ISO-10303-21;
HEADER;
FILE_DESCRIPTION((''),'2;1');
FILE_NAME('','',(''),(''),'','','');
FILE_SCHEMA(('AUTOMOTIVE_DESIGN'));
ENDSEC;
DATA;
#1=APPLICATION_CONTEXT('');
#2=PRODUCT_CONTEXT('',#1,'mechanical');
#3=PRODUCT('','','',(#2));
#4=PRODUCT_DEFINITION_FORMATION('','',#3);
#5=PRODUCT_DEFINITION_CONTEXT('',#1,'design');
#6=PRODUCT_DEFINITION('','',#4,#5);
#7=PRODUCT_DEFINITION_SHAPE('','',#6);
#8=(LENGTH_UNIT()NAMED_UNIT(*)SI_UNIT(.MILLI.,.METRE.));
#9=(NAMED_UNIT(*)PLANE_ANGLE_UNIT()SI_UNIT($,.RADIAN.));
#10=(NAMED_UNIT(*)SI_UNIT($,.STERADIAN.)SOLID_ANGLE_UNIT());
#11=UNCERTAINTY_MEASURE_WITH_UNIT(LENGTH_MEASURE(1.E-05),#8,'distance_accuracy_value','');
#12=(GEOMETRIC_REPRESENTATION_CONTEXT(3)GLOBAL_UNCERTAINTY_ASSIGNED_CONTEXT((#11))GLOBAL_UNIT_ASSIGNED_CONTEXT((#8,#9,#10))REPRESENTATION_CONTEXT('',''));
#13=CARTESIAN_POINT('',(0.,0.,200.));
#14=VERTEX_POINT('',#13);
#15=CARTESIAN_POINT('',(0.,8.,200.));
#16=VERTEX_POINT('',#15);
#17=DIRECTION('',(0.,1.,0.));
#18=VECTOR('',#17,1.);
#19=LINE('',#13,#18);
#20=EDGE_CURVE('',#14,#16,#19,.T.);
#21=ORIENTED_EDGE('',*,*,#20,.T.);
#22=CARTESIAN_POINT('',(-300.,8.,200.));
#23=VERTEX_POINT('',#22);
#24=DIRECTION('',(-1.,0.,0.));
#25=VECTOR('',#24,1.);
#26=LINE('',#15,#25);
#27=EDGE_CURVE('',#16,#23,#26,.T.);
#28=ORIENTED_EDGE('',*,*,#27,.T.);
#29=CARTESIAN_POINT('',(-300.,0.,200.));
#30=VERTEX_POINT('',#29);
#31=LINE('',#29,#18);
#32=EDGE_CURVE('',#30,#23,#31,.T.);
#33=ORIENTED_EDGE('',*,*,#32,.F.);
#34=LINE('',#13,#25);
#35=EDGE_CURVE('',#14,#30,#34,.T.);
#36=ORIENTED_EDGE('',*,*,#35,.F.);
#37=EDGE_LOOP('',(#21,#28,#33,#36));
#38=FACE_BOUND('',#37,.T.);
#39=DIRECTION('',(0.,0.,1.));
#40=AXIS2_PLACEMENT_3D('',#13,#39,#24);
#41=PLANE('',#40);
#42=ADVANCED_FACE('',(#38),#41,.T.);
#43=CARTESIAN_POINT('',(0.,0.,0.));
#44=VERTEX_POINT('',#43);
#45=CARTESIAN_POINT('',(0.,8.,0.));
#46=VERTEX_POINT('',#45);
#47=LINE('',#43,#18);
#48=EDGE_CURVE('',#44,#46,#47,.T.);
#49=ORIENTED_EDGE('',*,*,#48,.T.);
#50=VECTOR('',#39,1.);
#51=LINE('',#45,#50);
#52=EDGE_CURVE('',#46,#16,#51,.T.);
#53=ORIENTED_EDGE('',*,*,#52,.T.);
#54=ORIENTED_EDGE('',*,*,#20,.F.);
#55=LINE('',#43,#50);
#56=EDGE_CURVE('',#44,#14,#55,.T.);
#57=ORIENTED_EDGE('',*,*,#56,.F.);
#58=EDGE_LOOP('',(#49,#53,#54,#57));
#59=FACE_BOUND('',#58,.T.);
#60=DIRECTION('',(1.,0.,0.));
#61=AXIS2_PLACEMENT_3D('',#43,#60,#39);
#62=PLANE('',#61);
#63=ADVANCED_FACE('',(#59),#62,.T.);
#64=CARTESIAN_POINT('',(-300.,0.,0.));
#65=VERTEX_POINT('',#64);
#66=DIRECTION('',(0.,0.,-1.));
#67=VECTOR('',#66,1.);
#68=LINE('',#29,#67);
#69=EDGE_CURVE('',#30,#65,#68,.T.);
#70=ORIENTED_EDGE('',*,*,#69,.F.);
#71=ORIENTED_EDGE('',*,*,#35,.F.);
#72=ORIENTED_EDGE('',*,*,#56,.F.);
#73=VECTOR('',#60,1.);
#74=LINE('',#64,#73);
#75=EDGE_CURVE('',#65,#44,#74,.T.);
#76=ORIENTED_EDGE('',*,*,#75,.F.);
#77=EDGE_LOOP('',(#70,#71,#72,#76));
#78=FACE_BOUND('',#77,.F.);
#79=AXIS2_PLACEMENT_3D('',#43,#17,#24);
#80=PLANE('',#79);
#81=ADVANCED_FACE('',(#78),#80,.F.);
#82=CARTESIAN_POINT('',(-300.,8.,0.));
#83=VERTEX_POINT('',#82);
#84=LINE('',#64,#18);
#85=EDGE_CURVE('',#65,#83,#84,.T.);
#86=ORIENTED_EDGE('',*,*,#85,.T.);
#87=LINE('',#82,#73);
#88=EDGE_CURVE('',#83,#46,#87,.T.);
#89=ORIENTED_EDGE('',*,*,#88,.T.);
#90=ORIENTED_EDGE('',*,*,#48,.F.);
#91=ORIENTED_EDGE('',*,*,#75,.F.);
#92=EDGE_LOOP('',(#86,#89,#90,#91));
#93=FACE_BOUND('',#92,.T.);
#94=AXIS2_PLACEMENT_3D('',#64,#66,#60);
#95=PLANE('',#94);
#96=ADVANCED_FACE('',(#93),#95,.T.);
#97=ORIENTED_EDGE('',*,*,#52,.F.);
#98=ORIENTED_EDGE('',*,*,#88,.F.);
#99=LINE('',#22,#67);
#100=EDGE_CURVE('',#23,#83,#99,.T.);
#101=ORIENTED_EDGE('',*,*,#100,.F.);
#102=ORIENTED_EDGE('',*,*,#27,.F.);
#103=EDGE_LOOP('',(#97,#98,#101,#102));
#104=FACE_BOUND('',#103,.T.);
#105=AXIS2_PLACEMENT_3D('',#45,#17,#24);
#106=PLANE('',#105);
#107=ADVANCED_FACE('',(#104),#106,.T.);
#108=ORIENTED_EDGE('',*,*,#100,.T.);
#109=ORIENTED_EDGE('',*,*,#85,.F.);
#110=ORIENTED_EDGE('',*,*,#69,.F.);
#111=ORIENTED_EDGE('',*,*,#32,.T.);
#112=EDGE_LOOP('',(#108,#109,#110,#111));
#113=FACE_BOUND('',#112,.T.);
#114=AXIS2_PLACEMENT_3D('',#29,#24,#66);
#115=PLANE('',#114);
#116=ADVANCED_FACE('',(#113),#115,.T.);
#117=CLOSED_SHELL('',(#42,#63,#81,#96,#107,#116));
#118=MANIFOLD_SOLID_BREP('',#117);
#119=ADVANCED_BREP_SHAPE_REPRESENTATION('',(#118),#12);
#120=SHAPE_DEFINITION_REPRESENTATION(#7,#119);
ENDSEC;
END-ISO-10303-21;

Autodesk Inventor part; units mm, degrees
ref_plane "YZ Plane" through (0, 0, 0) normal (1, 0, 0) x (0, 1, 0)
ref_plane "XZ Plane" through (0, 0, 0) normal (0, 1, 0) x (-1, 0, 0)
ref_plane "XY Plane" through (0, 0, 0) normal (0, 0, 1) x (1, 0, 0)
sketch "Sketch3" plane through (0, 0, 0) normal (0, 1, 0) x (-1, 0, 0)
  line L0 (0, 0) -> (0, 200)
  line L1 (0, 200) -> (300, 200)
  line L2 (300, 200) -> (300, 0)
  line L3 (300, 0) -> (0, 0)
  dimension "d8" = 200
  dimension "d9" = 300
extrude "Extrusion3" add sketch "Sketch3" along normal blind 8
equation "\"PointX0\" = 0"
equation "\"PointY0\" = 0"
equation "\"PointZ0\" = 0"
equation "\"PointX1\" = 0"
equation "\"PointZ1\" = 0"
equation "\"PointZ2\" = 0"
equation "\"PointY3\" = 0"
equation "\"PointZ3\" = 0"
equation "\"length\" = 8"
equation "\"PointX0_1\" = 0"
equation "\"PointY0_1\" = 0"
equation "\"PointZ0_1\" = 0"
equation "\"PointX1_1\" = 0"
equation "\"PointZ1_1\" = 0"
equation "\"PointZ2_1\" = 0"
equation "\"PointY3_1\" = 0"
equation "\"PointZ3_1\" = 0"
equation "\"length_1\" = 8"
equation "\"PointX0_1_2\" = 0"
equation "\"PointY0_1_2\" = 0"
equation "\"PointZ0_1_2\" = 0"
equation "\"PointX1_1_2\" = 0"
equation "\"PointZ1_1_2\" = 0"
equation "\"PointZ2_1_2\" = 0"
equation "\"PointY3_1_2\" = 0"
equation "\"PointZ3_1_2\" = 0"
equation "\"length_1_2\" = 8"
properties part number "Generic8inFloor0" material "-=Choose Material=-"
